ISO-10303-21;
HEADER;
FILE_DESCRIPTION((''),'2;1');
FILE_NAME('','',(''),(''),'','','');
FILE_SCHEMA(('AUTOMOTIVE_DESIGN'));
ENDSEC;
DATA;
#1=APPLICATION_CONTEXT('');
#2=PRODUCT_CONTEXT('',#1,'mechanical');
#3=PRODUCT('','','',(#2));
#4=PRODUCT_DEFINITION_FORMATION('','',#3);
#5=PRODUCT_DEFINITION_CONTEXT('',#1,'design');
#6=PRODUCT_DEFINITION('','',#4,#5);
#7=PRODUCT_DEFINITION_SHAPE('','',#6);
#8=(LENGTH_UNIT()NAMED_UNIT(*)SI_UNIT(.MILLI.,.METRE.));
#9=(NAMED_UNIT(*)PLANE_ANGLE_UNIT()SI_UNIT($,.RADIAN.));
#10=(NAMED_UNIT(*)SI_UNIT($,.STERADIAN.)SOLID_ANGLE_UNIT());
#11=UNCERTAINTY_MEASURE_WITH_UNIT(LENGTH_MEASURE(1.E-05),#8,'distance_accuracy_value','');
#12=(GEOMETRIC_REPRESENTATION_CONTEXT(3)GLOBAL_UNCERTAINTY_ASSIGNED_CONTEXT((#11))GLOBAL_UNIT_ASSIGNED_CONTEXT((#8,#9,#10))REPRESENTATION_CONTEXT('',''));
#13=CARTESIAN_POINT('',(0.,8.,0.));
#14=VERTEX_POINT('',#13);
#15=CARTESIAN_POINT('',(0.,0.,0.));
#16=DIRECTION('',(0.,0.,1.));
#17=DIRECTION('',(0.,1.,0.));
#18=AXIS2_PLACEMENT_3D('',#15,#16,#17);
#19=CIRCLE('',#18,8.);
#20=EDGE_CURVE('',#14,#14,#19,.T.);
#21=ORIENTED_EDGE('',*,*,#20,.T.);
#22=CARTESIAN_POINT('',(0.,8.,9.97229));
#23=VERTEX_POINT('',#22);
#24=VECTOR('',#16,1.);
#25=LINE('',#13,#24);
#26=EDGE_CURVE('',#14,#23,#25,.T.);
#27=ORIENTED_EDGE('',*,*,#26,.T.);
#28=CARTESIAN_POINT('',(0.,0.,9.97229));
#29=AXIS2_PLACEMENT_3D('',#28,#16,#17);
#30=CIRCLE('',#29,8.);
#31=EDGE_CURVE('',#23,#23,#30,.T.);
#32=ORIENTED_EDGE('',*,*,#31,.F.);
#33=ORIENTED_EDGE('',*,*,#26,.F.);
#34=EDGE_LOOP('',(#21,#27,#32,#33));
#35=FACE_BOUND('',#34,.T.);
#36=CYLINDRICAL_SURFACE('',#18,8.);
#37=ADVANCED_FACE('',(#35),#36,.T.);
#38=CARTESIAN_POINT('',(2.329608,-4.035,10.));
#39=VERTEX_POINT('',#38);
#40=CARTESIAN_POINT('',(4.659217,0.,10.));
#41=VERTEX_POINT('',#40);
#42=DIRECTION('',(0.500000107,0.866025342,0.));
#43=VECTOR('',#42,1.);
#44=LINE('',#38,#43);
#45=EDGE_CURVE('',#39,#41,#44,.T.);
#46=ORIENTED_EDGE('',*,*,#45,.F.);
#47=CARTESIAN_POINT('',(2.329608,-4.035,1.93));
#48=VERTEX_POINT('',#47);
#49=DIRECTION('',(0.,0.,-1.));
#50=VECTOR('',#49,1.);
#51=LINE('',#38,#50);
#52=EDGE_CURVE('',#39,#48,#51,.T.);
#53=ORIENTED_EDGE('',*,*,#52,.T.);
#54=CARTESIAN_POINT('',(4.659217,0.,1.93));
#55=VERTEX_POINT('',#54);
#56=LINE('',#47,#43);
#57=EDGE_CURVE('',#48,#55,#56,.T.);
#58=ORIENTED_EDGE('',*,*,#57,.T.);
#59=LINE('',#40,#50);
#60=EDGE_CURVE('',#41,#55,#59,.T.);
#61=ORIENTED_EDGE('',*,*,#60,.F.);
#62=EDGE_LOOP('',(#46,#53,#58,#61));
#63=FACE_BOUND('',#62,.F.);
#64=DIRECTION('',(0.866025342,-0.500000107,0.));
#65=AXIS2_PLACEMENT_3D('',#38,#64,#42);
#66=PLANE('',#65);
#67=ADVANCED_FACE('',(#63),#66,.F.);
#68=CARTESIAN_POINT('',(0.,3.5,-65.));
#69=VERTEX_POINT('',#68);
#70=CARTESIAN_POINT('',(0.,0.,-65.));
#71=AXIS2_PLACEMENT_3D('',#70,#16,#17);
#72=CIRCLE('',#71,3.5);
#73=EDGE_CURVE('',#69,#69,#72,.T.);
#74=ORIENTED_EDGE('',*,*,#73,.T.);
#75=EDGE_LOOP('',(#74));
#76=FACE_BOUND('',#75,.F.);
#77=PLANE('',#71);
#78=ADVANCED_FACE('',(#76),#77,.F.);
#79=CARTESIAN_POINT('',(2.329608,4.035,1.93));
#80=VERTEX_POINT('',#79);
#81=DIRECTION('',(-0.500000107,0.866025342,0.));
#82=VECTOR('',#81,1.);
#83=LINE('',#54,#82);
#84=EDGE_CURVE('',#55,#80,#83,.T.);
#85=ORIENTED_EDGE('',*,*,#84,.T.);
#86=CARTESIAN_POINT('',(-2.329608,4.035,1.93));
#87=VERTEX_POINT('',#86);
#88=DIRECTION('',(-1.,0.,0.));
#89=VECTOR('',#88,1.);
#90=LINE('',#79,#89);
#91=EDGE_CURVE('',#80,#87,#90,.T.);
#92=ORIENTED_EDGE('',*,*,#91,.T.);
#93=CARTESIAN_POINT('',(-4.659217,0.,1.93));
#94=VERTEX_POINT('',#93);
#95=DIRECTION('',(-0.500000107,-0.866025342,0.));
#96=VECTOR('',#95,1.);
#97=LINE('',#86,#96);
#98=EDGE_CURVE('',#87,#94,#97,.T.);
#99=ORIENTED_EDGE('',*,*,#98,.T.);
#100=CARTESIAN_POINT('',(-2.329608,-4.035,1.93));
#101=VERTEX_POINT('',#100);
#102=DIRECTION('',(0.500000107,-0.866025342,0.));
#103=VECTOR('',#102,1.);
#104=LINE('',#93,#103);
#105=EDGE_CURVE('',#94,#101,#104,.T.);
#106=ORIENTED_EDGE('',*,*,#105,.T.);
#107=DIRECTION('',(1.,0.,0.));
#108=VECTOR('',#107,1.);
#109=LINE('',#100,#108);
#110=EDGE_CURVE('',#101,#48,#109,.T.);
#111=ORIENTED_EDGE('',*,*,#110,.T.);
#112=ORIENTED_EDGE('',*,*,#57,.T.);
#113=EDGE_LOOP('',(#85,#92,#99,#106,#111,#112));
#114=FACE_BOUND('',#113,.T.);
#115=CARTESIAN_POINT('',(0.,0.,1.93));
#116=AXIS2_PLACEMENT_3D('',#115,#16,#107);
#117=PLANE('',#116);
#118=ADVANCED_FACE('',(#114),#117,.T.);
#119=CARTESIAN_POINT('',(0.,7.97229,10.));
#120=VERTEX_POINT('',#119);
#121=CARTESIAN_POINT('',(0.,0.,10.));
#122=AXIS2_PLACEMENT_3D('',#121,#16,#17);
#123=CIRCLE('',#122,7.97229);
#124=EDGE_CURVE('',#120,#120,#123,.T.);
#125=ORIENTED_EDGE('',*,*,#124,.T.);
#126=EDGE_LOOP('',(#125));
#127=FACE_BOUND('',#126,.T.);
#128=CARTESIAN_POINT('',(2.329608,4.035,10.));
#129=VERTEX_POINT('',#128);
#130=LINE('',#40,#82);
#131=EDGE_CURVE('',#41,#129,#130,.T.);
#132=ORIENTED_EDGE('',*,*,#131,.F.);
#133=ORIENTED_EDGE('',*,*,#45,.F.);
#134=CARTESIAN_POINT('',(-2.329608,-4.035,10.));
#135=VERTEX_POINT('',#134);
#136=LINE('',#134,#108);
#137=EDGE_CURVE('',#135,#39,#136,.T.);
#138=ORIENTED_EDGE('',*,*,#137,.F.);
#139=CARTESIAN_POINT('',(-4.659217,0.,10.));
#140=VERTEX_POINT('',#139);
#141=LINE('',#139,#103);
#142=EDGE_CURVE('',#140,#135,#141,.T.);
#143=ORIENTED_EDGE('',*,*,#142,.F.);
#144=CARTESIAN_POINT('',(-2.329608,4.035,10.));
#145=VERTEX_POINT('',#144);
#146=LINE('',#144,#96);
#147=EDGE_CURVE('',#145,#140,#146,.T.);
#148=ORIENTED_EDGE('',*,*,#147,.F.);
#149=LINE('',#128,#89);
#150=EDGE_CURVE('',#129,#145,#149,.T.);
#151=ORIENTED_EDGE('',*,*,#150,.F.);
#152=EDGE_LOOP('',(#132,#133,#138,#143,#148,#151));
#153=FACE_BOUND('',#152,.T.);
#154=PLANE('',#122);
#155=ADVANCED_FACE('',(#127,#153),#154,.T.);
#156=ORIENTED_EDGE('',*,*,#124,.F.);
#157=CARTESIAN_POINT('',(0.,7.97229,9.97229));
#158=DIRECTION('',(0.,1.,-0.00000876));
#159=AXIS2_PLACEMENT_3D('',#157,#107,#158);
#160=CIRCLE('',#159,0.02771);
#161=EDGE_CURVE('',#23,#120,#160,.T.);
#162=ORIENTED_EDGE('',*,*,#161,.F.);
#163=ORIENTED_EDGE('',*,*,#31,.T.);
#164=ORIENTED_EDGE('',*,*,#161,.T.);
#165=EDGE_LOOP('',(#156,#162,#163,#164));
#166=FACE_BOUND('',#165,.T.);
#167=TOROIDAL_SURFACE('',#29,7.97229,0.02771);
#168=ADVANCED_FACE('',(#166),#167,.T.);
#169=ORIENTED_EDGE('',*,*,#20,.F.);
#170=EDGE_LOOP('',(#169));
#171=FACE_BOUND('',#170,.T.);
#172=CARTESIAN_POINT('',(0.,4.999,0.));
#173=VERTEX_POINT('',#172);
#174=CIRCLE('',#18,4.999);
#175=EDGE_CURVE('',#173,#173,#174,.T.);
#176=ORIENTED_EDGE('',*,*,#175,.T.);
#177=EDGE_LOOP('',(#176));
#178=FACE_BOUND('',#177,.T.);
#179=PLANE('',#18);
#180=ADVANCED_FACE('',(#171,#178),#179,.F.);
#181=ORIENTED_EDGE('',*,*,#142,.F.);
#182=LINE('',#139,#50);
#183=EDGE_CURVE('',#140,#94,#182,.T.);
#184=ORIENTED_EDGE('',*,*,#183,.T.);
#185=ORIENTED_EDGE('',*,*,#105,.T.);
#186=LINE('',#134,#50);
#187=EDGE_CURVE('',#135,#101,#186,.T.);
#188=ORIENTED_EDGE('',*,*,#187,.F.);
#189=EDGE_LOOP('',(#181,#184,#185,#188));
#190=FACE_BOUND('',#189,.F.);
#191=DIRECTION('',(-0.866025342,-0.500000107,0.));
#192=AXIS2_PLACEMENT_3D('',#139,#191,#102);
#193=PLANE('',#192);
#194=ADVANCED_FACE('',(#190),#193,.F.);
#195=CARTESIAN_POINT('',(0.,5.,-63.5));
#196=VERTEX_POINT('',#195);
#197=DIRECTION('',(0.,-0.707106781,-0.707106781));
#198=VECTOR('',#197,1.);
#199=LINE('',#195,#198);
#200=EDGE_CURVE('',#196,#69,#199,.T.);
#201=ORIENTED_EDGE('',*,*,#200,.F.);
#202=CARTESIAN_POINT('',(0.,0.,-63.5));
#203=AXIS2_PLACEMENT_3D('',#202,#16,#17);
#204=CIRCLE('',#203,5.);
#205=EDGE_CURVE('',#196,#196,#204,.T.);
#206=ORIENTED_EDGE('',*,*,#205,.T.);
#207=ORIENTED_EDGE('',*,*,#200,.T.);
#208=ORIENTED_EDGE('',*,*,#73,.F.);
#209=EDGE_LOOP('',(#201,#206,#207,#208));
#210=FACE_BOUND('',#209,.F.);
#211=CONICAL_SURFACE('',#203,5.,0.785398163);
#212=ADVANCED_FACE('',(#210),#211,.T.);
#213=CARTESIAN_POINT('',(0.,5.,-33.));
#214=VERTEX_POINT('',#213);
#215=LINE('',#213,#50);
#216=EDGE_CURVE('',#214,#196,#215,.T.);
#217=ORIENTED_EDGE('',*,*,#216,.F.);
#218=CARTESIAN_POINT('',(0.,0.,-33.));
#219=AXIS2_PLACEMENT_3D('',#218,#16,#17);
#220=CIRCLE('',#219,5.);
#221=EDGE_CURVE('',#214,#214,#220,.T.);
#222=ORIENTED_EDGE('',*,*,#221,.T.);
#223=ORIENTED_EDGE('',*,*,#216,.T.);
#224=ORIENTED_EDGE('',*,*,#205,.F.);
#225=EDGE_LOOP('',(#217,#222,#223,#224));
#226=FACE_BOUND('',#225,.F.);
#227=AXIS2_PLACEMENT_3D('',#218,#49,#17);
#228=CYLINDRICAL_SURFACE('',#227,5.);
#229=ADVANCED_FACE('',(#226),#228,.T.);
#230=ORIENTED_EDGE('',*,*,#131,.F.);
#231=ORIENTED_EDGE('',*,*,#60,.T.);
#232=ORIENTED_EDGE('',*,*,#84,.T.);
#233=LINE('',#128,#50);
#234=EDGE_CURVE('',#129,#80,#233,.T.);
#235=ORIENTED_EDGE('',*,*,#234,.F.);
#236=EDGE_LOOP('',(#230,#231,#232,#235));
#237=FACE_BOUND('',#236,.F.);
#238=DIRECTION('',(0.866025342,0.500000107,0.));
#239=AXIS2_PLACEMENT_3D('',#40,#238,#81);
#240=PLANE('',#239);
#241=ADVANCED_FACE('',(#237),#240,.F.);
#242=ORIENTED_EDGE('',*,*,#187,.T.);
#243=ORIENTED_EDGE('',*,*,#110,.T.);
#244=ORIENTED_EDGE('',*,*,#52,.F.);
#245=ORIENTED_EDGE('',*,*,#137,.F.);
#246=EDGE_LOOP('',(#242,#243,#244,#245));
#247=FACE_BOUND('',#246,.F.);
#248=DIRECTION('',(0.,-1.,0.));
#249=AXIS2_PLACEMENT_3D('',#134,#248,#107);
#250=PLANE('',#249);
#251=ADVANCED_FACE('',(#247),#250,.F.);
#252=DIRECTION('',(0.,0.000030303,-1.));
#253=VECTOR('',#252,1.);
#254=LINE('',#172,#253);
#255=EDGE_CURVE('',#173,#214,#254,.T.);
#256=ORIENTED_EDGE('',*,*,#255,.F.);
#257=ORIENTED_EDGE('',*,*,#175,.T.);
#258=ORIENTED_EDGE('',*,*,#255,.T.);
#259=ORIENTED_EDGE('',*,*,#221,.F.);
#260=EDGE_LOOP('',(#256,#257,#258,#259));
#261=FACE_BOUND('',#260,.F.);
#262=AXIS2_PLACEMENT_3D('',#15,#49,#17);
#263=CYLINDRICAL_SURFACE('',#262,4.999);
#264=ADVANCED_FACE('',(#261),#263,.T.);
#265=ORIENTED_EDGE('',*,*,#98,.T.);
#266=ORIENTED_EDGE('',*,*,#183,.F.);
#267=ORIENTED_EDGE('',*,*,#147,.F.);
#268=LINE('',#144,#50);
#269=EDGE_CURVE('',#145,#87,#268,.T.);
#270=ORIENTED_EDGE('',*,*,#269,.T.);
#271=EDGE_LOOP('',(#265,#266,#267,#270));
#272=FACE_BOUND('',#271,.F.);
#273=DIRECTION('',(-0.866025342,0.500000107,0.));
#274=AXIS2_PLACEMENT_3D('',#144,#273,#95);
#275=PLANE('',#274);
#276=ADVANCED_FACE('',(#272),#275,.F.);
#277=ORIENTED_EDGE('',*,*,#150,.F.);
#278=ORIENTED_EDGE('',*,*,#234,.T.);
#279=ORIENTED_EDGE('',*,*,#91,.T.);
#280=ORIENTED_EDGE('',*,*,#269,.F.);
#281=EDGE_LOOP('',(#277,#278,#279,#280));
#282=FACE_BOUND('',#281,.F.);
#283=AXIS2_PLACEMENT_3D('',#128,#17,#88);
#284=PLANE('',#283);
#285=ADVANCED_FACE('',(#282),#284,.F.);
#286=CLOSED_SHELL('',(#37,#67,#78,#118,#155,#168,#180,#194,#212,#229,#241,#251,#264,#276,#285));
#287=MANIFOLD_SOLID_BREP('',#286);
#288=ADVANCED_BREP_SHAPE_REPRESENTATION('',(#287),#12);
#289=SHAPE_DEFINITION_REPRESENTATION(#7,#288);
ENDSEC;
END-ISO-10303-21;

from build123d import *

# Parameters (mm, degrees)
POCKET_DEPTH = 8.07


with BuildPart() as part:
    # Sketch → Revolve (revolve)
    with BuildSketch(Plane.YZ):
        with BuildLine():
            Line((4.999, 0), (8, 0))
            Line((8, 0), (8, 9.97229))
            ThreePointArc((8, 9.97229), (7.991884, 9.991884), (7.97229, 10))
            Line((7.97229, 10), (0, 10))
            Line((0, -65), (0, 10))
            Line((3.5, -65), (0, -65))
            Line((5, -63.5), (3.5, -65))
            Line((5, -33), (5, -63.5))
            Line((4.999, 0), (5, -33))
        make_face()
    revolve(axis=Axis((0, 0, 0), (0, 0, 1)))

    # Sketch001 → Pocket (cut)
    with BuildSketch(Plane.XY.offset(10)):
        Polygon((4.659217, 0), (2.329608, 4.035), (-2.329608, 4.035), (-4.659217, 0), (-2.329608, -4.035), (2.329608, -4.035), align=None)
    extrude(amount=-POCKET_DEPTH, mode=Mode.SUBTRACT)


solid = part.part
